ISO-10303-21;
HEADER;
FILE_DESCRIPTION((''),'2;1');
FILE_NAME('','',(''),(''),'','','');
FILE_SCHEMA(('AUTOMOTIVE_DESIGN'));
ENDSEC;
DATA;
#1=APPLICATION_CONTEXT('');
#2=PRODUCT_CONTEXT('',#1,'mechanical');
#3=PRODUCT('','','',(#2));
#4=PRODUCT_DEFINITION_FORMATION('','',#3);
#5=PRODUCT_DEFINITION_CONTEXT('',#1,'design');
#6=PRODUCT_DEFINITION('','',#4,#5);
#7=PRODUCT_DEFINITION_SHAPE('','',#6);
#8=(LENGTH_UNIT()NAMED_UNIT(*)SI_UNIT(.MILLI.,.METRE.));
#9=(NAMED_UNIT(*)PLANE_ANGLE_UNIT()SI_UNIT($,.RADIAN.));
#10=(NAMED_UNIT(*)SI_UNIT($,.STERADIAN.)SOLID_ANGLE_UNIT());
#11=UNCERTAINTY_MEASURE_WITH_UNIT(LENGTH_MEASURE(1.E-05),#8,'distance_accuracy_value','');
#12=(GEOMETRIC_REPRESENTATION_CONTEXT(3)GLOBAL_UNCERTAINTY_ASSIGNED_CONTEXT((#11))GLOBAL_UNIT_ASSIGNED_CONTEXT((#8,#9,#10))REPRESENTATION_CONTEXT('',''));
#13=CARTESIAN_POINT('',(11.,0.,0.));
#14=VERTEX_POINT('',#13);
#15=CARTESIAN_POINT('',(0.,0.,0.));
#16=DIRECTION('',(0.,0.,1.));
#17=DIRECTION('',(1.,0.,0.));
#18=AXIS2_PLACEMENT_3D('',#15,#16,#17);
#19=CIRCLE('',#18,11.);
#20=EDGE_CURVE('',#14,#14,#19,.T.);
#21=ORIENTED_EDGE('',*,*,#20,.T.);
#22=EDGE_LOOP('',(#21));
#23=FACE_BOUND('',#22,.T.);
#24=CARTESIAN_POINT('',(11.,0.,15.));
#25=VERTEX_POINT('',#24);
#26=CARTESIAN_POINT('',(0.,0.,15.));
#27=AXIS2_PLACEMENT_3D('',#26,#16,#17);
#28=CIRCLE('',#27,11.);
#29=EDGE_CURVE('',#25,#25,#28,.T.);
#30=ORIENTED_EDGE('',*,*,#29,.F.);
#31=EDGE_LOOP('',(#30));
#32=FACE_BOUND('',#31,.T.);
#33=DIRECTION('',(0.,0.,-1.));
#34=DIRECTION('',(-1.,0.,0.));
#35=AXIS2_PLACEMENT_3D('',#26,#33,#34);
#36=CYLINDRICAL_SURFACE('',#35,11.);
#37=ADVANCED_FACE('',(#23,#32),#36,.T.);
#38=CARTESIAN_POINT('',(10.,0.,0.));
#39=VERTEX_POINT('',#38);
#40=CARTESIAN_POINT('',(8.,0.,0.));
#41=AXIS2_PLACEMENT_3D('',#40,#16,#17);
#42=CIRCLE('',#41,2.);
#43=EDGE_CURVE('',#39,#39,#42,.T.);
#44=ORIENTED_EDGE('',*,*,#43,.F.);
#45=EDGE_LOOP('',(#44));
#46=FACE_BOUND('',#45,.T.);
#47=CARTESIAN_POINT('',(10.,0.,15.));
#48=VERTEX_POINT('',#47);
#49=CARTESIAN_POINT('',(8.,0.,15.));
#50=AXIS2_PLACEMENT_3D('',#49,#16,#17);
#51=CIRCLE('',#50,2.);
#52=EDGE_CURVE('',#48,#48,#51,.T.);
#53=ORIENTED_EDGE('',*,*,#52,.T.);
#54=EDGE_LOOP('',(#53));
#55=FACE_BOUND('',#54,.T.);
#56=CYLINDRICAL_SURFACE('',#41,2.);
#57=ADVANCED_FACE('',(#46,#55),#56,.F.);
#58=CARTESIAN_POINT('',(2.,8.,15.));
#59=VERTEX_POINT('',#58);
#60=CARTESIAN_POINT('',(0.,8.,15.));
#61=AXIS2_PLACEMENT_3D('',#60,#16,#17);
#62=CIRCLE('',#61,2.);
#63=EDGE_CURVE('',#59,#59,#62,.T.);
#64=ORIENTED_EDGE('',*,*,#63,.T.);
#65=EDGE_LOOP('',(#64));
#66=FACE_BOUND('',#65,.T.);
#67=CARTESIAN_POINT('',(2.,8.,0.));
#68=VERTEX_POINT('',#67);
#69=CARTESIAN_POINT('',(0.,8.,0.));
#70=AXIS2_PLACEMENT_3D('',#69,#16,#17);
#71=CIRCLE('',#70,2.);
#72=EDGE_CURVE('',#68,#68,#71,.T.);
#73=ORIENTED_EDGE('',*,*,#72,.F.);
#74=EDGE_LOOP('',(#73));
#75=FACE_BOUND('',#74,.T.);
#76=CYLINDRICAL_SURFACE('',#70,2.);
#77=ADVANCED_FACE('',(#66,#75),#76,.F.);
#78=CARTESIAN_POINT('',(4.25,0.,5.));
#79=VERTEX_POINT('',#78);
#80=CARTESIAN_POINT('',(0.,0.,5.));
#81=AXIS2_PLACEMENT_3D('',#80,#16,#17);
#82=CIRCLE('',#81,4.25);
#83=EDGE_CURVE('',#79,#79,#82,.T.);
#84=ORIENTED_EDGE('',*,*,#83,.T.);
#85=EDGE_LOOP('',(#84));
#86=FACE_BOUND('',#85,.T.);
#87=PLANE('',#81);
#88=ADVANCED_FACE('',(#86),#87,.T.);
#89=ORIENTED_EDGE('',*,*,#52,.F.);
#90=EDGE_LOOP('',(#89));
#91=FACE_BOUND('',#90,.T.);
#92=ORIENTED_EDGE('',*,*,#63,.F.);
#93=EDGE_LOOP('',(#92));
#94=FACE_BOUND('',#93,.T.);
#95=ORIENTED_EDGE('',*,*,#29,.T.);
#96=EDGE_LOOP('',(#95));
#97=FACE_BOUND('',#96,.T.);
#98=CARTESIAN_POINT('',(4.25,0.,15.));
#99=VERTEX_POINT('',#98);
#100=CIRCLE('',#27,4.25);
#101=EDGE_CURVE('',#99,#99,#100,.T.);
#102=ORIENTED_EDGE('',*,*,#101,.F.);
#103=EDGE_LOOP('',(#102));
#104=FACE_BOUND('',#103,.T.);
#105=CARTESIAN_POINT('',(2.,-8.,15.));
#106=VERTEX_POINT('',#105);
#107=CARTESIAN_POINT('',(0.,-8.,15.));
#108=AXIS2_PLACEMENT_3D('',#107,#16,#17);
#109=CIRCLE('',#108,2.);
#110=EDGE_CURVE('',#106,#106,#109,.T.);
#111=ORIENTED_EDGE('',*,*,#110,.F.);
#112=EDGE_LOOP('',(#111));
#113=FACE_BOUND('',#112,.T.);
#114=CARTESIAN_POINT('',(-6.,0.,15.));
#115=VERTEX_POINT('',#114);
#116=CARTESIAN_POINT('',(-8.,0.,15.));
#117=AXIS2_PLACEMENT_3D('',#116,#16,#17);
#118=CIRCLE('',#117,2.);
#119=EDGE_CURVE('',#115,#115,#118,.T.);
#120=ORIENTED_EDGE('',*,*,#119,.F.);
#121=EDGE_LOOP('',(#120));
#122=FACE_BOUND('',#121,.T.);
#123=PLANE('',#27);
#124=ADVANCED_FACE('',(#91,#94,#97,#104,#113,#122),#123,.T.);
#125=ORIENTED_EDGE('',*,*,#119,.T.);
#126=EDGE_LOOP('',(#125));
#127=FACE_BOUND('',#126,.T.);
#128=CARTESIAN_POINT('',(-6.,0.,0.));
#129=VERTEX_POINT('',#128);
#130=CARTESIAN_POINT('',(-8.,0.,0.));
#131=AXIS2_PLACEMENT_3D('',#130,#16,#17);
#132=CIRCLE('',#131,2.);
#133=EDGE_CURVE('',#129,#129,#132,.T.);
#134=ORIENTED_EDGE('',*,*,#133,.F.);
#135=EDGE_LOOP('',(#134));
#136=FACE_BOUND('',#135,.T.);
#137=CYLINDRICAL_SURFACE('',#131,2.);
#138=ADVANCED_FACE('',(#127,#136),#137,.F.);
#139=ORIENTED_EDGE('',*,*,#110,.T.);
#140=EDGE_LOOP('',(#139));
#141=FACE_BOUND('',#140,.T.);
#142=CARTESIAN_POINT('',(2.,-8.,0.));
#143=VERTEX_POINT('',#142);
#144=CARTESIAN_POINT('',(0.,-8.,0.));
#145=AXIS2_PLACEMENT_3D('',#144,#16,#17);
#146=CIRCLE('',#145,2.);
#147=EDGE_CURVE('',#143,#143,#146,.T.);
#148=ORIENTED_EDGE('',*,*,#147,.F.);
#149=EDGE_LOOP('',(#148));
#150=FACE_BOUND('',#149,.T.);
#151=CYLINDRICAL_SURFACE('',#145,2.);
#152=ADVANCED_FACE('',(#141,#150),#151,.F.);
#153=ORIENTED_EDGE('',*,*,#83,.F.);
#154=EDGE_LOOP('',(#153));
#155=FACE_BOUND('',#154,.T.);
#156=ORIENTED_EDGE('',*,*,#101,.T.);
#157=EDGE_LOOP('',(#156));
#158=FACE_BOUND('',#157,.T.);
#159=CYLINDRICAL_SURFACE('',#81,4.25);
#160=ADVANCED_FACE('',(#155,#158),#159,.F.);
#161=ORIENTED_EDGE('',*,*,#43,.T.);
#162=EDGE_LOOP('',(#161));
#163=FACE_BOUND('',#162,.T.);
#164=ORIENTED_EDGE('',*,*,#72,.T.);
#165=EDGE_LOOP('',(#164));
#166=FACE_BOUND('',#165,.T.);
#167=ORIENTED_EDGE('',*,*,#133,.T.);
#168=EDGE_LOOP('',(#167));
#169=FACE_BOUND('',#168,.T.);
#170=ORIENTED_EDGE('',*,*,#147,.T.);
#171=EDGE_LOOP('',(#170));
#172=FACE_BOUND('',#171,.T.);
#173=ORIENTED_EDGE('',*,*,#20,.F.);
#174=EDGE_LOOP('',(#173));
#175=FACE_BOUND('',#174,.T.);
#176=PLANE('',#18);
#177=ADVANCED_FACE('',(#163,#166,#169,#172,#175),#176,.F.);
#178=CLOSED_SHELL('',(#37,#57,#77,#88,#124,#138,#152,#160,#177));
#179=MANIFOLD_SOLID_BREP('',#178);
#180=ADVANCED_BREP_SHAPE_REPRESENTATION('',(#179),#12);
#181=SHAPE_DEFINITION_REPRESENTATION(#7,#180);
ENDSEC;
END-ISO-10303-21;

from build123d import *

# Parameters (mm, degrees)
SKETCH1_R           = 11
BOSS_EXTRUDE1_DEPTH = 15
SKETCH3_R           = 2
CUT_EXTRUDE1_DEPTH  = 15
SKETCH4_R           = 4.25
CUT_EXTRUDE2_DEPTH  = 10


with BuildPart() as part:
    # Sketch1 → Boss-Extrude1 (new body)
    with BuildSketch(Plane.XY):
        Circle(SKETCH1_R)
    extrude(amount=BOSS_EXTRUDE1_DEPTH)

    # Sketch3 → Cut-Extrude1 (cut)
    with BuildSketch(Plane.XY.offset(15)):
        with Locations((-8, 0)):
            Circle(SKETCH3_R)
        with Locations((0, 8)):
            Circle(SKETCH3_R)
        with Locations((8, 0)):
            Circle(SKETCH3_R)
        with Locations((0, -8)):
            Circle(SKETCH3_R)
    extrude(amount=-CUT_EXTRUDE1_DEPTH, mode=Mode.SUBTRACT)

    # Sketch4 → Cut-Extrude2 (cut)
    with BuildSketch(Plane.XY.offset(15)):
        Circle(SKETCH4_R)
    extrude(amount=-CUT_EXTRUDE2_DEPTH, mode=Mode.SUBTRACT)


solid = part.part
